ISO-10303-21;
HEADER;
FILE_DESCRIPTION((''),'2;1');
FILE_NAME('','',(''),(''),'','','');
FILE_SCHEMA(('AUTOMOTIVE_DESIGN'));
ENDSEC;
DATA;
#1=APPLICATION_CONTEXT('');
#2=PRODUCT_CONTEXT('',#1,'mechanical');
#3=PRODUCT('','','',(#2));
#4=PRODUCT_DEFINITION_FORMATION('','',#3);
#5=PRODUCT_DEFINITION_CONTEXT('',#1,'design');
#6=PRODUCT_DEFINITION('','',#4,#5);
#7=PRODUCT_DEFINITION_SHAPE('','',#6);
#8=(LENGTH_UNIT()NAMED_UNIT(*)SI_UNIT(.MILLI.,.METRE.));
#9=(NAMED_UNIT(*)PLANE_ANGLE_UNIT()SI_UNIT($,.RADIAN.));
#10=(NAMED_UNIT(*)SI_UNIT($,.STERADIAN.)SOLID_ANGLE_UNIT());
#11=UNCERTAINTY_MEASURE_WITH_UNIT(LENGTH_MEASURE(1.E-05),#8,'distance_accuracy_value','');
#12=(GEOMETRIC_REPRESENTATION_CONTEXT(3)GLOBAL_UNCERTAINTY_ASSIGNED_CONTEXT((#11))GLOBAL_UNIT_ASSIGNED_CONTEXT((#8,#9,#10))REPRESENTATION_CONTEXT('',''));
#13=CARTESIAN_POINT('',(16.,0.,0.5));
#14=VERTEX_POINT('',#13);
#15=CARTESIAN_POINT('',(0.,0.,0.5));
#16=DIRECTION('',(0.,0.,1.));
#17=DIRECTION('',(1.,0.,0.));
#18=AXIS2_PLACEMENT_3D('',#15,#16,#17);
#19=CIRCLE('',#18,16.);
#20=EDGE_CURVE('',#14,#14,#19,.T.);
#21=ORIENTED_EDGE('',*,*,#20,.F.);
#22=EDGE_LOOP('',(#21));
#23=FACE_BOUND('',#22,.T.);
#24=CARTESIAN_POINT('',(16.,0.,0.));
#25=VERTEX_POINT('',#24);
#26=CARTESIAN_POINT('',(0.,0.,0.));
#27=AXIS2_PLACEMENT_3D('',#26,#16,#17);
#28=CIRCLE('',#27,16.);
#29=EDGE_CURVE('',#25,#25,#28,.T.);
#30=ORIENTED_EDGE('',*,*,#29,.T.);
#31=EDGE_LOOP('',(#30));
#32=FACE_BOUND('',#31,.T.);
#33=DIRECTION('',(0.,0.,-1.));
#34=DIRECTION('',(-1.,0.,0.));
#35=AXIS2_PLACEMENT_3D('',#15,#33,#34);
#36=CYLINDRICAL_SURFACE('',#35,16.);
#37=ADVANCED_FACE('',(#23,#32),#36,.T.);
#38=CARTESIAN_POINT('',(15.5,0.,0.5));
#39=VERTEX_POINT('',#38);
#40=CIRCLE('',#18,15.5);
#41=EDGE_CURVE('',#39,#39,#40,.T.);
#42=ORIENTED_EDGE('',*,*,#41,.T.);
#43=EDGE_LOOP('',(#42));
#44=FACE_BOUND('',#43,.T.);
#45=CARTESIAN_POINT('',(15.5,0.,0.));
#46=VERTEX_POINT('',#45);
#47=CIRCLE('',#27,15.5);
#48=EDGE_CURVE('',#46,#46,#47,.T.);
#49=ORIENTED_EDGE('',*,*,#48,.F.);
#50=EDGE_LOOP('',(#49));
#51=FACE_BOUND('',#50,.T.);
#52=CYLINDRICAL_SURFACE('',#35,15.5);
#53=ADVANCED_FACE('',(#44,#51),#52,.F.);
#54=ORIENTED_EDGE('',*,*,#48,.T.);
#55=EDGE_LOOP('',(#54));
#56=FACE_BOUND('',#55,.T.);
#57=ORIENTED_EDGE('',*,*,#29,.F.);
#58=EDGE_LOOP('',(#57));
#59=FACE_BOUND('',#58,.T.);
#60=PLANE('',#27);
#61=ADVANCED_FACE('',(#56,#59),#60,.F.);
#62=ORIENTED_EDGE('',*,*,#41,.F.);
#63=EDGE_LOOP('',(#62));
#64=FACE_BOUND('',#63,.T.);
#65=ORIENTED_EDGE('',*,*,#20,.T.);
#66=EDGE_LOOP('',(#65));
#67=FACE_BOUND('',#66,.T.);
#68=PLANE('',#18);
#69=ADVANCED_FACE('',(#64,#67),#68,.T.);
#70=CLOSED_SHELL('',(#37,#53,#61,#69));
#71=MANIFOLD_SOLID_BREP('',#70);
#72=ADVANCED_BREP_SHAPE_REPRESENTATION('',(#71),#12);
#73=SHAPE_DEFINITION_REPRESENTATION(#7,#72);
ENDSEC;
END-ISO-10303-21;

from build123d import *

# Parameters (mm, degrees)
SCHIZZO1_R                   = 16
SCHIZZO1_R_2                 = 15.5
ESTRUSIONE_ESTRUSIONE1_DEPTH = 0.5


with BuildPart() as part:
    # Schizzo1 → Estrusione-Estrusione1 (new body)
    with BuildSketch(Plane.XY):
        Circle(SCHIZZO1_R)
        Circle(SCHIZZO1_R_2, mode=Mode.SUBTRACT)
    extrude(amount=ESTRUSIONE_ESTRUSIONE1_DEPTH)


solid = part.part
